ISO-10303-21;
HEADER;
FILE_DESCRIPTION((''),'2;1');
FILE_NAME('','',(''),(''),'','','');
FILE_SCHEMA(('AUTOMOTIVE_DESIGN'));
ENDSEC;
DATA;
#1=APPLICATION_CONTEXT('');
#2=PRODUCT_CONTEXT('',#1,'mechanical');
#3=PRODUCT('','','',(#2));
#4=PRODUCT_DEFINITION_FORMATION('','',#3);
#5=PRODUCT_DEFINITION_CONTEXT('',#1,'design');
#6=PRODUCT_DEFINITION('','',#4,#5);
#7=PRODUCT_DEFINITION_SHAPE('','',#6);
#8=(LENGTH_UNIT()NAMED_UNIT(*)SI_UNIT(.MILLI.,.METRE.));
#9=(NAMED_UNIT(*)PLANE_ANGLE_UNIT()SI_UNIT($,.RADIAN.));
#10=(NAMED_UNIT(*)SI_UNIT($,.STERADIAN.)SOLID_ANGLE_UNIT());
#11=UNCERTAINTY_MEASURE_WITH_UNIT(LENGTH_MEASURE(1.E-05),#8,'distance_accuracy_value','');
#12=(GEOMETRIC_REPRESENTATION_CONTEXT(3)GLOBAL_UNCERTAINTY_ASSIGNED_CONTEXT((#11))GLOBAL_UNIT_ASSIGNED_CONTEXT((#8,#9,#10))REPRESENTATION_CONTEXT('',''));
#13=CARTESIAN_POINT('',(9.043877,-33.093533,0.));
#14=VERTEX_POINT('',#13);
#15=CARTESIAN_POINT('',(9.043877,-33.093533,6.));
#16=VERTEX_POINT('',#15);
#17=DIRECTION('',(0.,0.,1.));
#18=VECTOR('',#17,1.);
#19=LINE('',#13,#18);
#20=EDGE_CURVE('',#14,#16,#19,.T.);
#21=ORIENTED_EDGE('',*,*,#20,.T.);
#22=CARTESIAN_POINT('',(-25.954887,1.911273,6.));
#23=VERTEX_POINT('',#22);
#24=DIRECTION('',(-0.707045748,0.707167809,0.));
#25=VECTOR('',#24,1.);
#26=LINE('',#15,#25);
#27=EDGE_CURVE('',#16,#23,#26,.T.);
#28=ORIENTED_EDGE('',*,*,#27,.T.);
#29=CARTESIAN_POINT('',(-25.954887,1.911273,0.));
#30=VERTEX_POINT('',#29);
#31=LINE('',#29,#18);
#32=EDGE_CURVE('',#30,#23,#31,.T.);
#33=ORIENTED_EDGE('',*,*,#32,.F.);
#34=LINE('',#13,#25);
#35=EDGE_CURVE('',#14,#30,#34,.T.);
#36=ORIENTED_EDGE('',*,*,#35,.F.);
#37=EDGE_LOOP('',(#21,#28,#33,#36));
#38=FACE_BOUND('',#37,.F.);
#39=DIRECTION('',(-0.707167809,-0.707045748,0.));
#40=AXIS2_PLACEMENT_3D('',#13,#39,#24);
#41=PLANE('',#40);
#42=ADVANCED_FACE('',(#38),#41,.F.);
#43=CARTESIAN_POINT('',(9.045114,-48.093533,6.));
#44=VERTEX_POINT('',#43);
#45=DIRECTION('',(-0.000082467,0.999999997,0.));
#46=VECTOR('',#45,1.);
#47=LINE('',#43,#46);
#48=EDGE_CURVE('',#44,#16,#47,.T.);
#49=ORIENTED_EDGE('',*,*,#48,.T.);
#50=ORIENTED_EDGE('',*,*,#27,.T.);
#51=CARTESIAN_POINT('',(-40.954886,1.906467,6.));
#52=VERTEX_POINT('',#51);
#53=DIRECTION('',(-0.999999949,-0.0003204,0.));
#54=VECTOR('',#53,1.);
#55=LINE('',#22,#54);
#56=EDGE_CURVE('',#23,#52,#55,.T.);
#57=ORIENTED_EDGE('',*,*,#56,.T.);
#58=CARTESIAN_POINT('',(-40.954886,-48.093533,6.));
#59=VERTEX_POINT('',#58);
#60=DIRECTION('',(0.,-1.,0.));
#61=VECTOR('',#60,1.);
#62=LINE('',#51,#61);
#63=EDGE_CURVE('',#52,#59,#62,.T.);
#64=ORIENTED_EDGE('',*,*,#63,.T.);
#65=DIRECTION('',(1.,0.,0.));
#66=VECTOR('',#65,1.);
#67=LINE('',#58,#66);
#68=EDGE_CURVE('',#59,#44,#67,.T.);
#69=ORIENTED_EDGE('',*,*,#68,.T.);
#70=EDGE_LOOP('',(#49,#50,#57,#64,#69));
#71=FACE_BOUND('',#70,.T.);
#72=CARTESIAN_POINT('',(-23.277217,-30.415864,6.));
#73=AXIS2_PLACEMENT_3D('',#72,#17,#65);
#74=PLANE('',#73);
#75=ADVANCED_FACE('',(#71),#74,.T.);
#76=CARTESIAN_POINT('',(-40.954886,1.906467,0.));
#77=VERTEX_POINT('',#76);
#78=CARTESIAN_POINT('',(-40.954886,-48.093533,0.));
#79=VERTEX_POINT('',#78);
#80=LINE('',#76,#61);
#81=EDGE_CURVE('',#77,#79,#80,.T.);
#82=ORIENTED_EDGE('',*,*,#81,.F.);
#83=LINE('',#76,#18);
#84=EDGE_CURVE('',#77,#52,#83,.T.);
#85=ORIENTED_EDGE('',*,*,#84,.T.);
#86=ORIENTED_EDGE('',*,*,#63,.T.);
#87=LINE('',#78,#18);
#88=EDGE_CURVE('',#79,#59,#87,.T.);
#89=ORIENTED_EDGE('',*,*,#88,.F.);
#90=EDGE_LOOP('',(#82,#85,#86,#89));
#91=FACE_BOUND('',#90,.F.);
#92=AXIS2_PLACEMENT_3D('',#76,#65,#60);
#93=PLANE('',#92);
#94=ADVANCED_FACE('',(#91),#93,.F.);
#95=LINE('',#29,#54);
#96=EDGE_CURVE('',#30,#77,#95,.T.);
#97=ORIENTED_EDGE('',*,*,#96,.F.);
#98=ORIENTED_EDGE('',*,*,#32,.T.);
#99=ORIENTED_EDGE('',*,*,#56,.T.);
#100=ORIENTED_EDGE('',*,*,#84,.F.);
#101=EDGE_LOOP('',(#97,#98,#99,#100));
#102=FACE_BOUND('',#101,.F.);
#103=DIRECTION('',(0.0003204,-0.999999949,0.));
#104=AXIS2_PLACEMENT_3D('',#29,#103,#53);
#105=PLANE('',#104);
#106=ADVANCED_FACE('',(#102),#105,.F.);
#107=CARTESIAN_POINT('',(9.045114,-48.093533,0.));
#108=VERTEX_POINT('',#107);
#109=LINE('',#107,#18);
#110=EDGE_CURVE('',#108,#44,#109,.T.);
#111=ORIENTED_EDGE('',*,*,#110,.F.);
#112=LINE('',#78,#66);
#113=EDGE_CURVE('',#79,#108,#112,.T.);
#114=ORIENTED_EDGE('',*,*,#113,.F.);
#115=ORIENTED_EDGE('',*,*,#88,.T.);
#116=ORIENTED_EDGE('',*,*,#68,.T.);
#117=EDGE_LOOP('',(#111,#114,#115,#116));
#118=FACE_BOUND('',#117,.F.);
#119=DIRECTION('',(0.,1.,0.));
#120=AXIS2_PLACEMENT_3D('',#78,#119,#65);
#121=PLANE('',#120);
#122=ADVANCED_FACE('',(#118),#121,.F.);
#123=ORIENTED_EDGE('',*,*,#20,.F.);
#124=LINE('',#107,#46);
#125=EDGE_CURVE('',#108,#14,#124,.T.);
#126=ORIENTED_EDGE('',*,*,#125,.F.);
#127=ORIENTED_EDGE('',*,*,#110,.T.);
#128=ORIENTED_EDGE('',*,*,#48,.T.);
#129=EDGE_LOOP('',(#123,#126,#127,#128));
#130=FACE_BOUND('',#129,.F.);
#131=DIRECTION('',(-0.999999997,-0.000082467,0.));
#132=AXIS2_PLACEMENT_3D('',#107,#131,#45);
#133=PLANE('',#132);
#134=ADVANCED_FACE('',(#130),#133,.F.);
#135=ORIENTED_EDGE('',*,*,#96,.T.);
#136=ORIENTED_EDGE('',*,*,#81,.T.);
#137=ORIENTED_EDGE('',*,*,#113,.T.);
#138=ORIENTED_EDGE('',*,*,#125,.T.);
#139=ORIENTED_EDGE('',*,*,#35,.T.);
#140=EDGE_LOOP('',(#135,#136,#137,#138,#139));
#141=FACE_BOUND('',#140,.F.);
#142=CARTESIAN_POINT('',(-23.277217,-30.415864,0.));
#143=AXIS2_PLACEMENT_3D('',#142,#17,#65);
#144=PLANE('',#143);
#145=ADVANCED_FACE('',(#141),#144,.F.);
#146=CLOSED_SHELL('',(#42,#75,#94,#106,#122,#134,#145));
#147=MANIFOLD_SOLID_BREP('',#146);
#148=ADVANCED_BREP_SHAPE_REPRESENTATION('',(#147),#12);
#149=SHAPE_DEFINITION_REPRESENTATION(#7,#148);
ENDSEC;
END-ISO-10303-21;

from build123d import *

# Parameters (mm, degrees)
F1_DEPTH = 6


with BuildPart() as f1:
    # F0 (on Top) → F1 (new body)
    with BuildSketch(Plane.XY):
        Polygon((-33.457938, -5.590482), (-40.954886, 1.906467), (-40.954886, -48.093533), (9.045114, -48.093533), align=None)
        Polygon((-25.954887, 1.911273), (-40.954886, 1.906467), (-33.457938, -5.590482), align=None)
        Polygon((-25.954887, 1.911273), (-33.457938, -5.590482), (9.045114, -48.093533), (9.043877, -33.093533), align=None)
    extrude(amount=F1_DEPTH)


solid = f1.part
